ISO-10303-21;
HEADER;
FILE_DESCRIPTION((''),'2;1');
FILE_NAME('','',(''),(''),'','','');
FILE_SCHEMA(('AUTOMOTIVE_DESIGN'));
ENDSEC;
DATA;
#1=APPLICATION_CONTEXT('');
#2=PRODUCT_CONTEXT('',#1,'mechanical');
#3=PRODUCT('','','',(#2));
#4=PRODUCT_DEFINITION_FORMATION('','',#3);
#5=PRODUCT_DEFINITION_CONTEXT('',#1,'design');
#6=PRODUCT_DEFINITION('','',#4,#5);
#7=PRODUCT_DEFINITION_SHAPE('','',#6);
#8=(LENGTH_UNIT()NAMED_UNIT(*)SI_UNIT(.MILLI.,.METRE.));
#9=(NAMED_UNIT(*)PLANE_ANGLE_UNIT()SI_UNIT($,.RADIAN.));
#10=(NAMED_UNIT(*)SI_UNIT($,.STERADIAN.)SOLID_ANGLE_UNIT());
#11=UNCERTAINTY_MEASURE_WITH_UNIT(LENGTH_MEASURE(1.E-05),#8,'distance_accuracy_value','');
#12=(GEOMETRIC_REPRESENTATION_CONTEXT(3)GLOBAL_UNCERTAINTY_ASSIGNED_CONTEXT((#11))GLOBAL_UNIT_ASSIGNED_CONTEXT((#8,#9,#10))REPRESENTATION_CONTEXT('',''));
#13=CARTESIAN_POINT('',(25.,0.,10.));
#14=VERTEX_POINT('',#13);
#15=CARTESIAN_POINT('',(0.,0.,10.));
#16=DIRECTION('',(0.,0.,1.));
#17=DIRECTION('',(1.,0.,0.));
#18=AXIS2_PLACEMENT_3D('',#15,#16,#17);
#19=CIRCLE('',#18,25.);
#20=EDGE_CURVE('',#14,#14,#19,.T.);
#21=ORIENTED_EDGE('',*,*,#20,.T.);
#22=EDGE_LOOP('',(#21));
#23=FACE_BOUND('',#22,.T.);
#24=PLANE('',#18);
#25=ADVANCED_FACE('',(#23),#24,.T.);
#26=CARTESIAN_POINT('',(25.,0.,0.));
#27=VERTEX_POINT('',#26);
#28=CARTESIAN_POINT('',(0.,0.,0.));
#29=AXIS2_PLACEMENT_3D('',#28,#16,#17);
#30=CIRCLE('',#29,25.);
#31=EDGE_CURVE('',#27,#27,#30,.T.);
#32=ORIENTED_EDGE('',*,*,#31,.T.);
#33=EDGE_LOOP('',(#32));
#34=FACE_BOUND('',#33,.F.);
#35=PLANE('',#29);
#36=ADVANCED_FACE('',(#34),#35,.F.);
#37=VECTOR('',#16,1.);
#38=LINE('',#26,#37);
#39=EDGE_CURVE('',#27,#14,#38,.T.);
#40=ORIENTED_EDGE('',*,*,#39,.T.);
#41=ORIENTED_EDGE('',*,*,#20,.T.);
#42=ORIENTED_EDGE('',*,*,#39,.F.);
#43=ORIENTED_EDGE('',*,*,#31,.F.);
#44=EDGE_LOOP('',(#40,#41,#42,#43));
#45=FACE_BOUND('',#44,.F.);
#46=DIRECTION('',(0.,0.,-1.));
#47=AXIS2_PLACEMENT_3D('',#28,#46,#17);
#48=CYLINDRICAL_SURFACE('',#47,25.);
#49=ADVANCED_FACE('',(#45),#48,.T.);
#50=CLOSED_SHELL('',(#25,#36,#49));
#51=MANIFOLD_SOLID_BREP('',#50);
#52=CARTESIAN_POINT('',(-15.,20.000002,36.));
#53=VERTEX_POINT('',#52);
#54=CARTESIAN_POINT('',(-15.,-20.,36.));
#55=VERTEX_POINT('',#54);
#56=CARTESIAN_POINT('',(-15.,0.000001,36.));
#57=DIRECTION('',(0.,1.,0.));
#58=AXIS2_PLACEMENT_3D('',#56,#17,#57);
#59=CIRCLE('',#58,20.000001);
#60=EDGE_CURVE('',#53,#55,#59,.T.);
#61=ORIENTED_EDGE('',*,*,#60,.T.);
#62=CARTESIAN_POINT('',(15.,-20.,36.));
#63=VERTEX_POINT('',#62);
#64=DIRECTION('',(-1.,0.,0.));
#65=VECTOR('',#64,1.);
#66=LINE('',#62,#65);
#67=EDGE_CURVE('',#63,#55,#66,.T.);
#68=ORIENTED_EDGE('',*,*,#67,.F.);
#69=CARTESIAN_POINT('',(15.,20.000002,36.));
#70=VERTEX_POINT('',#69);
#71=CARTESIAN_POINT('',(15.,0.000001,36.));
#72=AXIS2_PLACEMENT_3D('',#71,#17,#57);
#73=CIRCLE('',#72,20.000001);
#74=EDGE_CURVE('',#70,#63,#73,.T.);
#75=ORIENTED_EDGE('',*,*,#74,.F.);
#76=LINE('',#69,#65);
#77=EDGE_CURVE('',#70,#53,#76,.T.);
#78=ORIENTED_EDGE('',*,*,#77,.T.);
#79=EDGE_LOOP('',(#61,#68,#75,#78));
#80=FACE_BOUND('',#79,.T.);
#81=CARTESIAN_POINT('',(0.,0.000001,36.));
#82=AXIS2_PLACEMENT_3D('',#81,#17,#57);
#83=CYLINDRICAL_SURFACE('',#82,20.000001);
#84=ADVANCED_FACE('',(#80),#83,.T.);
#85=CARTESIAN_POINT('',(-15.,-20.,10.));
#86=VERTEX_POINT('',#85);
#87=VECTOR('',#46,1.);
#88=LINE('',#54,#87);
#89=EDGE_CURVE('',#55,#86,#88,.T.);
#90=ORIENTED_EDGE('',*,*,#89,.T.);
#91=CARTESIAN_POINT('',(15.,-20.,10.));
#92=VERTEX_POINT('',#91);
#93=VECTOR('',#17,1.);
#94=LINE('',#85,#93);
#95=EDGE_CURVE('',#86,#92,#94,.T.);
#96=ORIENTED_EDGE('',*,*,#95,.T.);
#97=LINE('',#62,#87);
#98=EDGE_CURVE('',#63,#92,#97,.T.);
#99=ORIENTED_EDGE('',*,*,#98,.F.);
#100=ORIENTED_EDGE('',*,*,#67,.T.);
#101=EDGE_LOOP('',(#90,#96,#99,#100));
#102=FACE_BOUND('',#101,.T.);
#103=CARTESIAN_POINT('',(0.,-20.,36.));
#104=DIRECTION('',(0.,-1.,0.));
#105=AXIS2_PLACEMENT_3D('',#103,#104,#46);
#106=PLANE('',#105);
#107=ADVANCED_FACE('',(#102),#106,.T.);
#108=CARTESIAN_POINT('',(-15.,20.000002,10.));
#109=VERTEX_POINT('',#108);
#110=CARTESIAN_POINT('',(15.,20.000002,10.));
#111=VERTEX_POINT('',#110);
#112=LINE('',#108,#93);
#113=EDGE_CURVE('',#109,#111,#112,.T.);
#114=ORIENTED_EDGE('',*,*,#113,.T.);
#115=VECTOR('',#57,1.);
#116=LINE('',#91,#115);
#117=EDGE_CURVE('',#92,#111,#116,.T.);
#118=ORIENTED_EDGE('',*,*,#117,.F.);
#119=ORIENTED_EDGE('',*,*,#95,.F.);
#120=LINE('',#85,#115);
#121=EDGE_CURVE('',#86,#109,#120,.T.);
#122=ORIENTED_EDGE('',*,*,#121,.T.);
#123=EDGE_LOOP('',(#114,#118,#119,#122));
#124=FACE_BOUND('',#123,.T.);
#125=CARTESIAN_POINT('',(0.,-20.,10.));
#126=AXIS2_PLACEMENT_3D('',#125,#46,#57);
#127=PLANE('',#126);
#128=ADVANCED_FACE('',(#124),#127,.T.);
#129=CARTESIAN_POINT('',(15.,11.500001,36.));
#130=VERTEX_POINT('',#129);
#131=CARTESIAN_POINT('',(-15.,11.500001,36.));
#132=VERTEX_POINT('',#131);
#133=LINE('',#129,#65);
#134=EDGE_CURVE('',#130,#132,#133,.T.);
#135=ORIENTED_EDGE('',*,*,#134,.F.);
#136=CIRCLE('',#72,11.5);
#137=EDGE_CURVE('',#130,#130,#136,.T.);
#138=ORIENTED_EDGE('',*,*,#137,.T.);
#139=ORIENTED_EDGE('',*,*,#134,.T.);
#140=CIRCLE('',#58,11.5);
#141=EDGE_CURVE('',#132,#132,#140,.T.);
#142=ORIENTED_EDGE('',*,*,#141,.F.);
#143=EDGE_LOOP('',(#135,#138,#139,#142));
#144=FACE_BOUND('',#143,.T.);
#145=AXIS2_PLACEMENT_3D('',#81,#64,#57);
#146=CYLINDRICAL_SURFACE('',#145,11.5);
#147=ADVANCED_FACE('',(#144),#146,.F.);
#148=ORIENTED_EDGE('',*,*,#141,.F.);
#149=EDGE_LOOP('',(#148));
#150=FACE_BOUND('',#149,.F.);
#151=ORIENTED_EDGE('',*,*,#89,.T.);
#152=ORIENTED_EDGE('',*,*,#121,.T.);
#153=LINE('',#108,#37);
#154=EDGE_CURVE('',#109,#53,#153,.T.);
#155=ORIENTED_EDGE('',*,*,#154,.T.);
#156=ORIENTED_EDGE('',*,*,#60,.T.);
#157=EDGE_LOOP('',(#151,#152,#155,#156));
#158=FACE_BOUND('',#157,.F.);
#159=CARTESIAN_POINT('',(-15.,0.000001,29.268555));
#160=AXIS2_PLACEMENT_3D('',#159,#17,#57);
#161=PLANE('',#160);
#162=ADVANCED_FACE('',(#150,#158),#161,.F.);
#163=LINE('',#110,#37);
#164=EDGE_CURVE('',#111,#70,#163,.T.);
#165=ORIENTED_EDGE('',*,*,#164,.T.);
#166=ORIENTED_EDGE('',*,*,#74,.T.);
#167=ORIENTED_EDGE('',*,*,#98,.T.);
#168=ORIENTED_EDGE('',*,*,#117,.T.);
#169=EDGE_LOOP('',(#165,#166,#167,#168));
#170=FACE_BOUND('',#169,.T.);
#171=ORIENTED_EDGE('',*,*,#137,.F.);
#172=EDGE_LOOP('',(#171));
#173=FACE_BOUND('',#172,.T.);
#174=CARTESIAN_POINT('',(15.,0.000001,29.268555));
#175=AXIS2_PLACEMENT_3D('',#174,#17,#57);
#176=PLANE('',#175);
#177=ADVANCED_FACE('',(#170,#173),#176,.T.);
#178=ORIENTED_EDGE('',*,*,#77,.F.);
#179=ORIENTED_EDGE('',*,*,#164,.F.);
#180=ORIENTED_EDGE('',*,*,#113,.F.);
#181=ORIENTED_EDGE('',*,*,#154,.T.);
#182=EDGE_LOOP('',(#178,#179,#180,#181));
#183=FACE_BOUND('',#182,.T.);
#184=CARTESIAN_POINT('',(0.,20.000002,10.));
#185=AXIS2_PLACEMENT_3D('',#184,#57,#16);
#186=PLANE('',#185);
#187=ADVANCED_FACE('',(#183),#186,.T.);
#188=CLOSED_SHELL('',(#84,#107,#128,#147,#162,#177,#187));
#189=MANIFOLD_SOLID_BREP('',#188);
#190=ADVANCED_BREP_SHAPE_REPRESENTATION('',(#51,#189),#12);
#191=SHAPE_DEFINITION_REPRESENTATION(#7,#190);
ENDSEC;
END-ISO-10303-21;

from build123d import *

# Parameters (mm, degrees)
F0_R     = 25
F1_DEPTH = 10
F2_R     = 11.5
F3_DEPTH = 15


with BuildPart() as f1:
    # F0 (on Top) → F1 (new body)
    with BuildSketch(Plane.XY):
        Circle(F0_R)
    extrude(amount=F1_DEPTH)


with BuildPart() as f3:
    # F2 (on Right) → F3 (new body, symmetric)
    with BuildSketch(Plane.YZ):
        with BuildLine():
            Line((-20, 36), (-20, 10))
            Line((-20, 10), (20.000002, 10))
            Line((20.000002, 10), (20.000002, 36))
            ThreePointArc((20.000002, 36), (1e-06, 56.000001), (-20, 36))
        make_face()
        with Locations((1e-06, 36)):
            Circle(F2_R, mode=Mode.SUBTRACT)
    extrude(amount=F3_DEPTH, both=True)


solid = Compound([f1.part, f3.part])
